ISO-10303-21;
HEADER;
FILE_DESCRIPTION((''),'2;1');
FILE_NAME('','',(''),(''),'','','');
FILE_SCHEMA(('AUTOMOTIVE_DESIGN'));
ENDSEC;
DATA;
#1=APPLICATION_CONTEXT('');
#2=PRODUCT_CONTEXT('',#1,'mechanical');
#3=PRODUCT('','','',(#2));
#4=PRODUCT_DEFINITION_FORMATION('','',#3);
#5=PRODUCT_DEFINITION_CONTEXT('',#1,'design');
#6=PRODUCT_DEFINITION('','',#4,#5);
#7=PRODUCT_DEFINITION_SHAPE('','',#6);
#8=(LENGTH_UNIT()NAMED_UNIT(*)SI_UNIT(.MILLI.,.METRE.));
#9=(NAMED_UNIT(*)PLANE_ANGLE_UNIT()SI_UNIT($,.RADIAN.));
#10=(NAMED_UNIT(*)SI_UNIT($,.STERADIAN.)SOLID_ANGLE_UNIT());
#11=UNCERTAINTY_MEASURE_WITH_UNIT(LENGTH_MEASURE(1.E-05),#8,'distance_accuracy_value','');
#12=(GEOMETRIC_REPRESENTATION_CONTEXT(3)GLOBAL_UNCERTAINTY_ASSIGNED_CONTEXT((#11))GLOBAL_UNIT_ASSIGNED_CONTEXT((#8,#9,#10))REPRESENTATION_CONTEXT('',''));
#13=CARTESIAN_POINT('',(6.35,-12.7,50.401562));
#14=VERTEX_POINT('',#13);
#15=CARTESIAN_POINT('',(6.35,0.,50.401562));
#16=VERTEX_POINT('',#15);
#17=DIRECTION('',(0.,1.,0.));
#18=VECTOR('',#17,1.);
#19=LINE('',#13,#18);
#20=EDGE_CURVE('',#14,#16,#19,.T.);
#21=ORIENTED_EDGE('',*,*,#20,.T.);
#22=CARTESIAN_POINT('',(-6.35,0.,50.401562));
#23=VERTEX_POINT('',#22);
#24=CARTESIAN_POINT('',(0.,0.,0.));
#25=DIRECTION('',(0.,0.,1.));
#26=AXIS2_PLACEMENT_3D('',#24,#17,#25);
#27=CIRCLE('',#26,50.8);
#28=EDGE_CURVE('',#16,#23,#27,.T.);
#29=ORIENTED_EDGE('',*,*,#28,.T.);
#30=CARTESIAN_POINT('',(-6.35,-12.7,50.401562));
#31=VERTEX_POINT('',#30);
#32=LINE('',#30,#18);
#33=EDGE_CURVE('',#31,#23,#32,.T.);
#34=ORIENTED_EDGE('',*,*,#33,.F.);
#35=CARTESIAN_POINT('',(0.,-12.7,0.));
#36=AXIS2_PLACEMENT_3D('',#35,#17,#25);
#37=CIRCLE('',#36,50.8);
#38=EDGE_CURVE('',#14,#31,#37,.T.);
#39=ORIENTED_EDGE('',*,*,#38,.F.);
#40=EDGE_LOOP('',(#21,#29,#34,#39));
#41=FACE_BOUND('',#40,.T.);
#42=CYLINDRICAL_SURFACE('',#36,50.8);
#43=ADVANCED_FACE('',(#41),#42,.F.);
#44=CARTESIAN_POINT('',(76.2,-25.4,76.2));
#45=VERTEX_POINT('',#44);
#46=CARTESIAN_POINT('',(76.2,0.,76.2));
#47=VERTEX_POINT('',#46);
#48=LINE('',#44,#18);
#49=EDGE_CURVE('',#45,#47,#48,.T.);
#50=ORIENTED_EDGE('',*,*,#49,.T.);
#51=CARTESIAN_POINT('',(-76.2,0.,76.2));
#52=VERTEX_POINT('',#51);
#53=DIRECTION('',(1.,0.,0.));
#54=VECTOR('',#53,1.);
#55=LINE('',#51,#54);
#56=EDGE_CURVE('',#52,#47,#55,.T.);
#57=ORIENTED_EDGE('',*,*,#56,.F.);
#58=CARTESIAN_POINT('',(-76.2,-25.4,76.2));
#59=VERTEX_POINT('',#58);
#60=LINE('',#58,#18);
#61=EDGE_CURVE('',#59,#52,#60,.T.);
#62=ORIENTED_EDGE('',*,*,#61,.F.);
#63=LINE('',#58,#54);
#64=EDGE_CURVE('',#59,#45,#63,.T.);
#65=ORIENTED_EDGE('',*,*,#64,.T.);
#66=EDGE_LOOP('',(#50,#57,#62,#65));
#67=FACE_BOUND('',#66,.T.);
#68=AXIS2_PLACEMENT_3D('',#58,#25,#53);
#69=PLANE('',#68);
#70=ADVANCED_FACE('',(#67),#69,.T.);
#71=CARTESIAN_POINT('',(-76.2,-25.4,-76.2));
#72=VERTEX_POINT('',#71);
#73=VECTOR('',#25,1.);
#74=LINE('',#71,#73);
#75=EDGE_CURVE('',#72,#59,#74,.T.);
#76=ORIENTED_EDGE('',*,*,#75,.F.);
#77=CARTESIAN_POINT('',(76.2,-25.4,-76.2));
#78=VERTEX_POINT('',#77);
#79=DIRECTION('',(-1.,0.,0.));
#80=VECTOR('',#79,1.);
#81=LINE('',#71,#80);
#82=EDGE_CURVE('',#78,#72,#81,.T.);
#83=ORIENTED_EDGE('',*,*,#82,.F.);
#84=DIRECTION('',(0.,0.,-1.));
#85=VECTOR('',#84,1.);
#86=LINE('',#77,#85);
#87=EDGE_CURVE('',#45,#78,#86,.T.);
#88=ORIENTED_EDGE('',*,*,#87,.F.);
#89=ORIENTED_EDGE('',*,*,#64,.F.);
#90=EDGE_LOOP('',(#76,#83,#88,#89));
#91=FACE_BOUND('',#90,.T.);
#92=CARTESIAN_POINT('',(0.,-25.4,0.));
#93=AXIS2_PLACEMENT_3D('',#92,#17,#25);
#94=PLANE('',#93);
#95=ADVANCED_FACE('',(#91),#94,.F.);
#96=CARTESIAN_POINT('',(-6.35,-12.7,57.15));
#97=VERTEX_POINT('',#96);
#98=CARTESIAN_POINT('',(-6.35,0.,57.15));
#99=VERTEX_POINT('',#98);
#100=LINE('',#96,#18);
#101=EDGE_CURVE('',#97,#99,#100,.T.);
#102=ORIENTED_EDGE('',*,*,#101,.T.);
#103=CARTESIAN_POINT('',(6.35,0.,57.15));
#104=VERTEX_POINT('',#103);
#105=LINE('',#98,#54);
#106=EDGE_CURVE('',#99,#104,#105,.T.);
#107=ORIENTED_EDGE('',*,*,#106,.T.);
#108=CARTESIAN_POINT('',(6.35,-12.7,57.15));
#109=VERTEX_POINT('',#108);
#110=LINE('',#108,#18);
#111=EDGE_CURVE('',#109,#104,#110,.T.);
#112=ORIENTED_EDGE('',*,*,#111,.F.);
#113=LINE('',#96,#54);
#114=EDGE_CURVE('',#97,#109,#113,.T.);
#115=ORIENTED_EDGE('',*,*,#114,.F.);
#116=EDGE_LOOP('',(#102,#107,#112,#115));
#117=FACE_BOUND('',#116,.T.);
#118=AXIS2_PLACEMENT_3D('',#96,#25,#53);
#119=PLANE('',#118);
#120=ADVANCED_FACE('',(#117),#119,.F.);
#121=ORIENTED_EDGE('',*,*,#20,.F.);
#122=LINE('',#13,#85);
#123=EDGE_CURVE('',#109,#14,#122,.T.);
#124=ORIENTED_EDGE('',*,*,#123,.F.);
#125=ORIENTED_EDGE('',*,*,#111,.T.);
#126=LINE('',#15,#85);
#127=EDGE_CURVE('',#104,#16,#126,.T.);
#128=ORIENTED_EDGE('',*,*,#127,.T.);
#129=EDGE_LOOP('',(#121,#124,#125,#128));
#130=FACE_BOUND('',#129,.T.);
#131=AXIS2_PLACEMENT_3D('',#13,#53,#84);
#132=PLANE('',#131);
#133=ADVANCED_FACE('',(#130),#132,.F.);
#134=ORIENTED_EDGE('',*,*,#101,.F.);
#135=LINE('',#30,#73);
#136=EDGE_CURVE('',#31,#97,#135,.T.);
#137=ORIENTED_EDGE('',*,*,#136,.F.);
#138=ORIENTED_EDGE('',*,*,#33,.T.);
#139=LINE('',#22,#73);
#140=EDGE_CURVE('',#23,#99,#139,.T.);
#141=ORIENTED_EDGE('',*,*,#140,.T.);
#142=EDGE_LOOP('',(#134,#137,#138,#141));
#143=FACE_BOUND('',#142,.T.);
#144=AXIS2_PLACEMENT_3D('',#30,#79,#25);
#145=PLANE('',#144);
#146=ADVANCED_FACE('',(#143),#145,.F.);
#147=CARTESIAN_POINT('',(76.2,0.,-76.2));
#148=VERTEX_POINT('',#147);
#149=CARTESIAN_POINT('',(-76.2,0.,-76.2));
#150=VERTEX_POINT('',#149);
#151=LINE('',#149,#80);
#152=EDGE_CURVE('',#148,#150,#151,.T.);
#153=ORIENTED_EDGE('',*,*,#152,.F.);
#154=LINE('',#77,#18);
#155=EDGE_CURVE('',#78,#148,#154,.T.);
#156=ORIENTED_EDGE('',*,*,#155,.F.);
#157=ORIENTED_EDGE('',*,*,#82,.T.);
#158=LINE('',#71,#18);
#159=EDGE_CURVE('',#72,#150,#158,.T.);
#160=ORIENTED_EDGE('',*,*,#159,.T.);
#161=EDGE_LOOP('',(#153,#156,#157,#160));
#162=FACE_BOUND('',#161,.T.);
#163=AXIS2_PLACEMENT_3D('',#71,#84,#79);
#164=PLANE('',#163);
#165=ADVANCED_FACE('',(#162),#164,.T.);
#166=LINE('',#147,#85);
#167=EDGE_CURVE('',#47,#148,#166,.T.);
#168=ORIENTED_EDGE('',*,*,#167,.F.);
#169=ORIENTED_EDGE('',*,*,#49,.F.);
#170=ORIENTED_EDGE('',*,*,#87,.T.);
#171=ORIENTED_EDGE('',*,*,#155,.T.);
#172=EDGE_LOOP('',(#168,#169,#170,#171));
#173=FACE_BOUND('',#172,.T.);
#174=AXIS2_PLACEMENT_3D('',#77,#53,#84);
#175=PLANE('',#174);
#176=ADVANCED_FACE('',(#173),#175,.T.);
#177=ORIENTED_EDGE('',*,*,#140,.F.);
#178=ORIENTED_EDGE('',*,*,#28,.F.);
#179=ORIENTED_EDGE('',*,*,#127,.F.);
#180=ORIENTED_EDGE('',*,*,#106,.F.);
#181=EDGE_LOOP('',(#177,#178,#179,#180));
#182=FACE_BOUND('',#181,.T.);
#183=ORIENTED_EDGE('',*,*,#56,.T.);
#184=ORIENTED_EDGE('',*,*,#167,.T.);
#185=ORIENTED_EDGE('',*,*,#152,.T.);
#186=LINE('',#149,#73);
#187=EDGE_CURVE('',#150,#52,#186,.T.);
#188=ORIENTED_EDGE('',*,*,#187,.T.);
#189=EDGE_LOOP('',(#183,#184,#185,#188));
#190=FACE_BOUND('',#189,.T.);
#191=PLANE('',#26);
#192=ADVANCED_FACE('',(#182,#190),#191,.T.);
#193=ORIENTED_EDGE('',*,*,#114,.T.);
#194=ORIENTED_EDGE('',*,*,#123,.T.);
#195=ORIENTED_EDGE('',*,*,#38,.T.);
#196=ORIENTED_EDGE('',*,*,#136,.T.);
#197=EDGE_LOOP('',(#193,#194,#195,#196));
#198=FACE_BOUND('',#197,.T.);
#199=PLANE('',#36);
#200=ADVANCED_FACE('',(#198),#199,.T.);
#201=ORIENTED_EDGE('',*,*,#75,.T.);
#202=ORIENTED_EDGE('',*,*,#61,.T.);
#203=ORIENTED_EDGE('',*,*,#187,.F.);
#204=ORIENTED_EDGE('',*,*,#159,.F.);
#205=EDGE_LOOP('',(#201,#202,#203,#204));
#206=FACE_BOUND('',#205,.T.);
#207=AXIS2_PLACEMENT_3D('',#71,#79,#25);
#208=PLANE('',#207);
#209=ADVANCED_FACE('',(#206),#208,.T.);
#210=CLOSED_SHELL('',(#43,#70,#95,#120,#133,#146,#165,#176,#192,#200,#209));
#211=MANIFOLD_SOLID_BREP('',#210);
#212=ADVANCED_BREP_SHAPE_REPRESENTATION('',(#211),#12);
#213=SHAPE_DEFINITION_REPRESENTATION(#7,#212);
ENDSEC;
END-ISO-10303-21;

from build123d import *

# Parameters (mm, degrees)
SKETCH1_W           = 152.4
SKETCH1_H           = 152.4
BOSS_EXTRUDE1_DEPTH = 25.4
CUT_EXTRUDE1_DEPTH  = 12.7


with BuildPart() as part:
    # Sketch1 → Boss-Extrude1 (new body)
    with BuildSketch(Plane(origin=(0, 0, 0), x_dir=(1, 0, 0), z_dir=(0, 1, 0))):
        Rectangle(SKETCH1_W, SKETCH1_H)
    extrude(amount=-BOSS_EXTRUDE1_DEPTH)

    # Sketch2 → Cut-Extrude1 (cut)
    with BuildSketch(Plane(origin=(0, 0, 0), x_dir=(1, 0, 0), z_dir=(0, 1, 0))):
        with BuildLine():
            Line((-6.35, -50.401562476), (-6.35, -57.15))
            Line((-6.35, -57.15), (6.35, -57.15))
            Line((6.35, -57.15), (6.35, -50.401562476))
            ThreePointArc((6.35, -50.401562476), (0, 50.8), (-6.35, -50.401562476))
        make_face()
    extrude(amount=-CUT_EXTRUDE1_DEPTH, mode=Mode.SUBTRACT)


solid = part.part
